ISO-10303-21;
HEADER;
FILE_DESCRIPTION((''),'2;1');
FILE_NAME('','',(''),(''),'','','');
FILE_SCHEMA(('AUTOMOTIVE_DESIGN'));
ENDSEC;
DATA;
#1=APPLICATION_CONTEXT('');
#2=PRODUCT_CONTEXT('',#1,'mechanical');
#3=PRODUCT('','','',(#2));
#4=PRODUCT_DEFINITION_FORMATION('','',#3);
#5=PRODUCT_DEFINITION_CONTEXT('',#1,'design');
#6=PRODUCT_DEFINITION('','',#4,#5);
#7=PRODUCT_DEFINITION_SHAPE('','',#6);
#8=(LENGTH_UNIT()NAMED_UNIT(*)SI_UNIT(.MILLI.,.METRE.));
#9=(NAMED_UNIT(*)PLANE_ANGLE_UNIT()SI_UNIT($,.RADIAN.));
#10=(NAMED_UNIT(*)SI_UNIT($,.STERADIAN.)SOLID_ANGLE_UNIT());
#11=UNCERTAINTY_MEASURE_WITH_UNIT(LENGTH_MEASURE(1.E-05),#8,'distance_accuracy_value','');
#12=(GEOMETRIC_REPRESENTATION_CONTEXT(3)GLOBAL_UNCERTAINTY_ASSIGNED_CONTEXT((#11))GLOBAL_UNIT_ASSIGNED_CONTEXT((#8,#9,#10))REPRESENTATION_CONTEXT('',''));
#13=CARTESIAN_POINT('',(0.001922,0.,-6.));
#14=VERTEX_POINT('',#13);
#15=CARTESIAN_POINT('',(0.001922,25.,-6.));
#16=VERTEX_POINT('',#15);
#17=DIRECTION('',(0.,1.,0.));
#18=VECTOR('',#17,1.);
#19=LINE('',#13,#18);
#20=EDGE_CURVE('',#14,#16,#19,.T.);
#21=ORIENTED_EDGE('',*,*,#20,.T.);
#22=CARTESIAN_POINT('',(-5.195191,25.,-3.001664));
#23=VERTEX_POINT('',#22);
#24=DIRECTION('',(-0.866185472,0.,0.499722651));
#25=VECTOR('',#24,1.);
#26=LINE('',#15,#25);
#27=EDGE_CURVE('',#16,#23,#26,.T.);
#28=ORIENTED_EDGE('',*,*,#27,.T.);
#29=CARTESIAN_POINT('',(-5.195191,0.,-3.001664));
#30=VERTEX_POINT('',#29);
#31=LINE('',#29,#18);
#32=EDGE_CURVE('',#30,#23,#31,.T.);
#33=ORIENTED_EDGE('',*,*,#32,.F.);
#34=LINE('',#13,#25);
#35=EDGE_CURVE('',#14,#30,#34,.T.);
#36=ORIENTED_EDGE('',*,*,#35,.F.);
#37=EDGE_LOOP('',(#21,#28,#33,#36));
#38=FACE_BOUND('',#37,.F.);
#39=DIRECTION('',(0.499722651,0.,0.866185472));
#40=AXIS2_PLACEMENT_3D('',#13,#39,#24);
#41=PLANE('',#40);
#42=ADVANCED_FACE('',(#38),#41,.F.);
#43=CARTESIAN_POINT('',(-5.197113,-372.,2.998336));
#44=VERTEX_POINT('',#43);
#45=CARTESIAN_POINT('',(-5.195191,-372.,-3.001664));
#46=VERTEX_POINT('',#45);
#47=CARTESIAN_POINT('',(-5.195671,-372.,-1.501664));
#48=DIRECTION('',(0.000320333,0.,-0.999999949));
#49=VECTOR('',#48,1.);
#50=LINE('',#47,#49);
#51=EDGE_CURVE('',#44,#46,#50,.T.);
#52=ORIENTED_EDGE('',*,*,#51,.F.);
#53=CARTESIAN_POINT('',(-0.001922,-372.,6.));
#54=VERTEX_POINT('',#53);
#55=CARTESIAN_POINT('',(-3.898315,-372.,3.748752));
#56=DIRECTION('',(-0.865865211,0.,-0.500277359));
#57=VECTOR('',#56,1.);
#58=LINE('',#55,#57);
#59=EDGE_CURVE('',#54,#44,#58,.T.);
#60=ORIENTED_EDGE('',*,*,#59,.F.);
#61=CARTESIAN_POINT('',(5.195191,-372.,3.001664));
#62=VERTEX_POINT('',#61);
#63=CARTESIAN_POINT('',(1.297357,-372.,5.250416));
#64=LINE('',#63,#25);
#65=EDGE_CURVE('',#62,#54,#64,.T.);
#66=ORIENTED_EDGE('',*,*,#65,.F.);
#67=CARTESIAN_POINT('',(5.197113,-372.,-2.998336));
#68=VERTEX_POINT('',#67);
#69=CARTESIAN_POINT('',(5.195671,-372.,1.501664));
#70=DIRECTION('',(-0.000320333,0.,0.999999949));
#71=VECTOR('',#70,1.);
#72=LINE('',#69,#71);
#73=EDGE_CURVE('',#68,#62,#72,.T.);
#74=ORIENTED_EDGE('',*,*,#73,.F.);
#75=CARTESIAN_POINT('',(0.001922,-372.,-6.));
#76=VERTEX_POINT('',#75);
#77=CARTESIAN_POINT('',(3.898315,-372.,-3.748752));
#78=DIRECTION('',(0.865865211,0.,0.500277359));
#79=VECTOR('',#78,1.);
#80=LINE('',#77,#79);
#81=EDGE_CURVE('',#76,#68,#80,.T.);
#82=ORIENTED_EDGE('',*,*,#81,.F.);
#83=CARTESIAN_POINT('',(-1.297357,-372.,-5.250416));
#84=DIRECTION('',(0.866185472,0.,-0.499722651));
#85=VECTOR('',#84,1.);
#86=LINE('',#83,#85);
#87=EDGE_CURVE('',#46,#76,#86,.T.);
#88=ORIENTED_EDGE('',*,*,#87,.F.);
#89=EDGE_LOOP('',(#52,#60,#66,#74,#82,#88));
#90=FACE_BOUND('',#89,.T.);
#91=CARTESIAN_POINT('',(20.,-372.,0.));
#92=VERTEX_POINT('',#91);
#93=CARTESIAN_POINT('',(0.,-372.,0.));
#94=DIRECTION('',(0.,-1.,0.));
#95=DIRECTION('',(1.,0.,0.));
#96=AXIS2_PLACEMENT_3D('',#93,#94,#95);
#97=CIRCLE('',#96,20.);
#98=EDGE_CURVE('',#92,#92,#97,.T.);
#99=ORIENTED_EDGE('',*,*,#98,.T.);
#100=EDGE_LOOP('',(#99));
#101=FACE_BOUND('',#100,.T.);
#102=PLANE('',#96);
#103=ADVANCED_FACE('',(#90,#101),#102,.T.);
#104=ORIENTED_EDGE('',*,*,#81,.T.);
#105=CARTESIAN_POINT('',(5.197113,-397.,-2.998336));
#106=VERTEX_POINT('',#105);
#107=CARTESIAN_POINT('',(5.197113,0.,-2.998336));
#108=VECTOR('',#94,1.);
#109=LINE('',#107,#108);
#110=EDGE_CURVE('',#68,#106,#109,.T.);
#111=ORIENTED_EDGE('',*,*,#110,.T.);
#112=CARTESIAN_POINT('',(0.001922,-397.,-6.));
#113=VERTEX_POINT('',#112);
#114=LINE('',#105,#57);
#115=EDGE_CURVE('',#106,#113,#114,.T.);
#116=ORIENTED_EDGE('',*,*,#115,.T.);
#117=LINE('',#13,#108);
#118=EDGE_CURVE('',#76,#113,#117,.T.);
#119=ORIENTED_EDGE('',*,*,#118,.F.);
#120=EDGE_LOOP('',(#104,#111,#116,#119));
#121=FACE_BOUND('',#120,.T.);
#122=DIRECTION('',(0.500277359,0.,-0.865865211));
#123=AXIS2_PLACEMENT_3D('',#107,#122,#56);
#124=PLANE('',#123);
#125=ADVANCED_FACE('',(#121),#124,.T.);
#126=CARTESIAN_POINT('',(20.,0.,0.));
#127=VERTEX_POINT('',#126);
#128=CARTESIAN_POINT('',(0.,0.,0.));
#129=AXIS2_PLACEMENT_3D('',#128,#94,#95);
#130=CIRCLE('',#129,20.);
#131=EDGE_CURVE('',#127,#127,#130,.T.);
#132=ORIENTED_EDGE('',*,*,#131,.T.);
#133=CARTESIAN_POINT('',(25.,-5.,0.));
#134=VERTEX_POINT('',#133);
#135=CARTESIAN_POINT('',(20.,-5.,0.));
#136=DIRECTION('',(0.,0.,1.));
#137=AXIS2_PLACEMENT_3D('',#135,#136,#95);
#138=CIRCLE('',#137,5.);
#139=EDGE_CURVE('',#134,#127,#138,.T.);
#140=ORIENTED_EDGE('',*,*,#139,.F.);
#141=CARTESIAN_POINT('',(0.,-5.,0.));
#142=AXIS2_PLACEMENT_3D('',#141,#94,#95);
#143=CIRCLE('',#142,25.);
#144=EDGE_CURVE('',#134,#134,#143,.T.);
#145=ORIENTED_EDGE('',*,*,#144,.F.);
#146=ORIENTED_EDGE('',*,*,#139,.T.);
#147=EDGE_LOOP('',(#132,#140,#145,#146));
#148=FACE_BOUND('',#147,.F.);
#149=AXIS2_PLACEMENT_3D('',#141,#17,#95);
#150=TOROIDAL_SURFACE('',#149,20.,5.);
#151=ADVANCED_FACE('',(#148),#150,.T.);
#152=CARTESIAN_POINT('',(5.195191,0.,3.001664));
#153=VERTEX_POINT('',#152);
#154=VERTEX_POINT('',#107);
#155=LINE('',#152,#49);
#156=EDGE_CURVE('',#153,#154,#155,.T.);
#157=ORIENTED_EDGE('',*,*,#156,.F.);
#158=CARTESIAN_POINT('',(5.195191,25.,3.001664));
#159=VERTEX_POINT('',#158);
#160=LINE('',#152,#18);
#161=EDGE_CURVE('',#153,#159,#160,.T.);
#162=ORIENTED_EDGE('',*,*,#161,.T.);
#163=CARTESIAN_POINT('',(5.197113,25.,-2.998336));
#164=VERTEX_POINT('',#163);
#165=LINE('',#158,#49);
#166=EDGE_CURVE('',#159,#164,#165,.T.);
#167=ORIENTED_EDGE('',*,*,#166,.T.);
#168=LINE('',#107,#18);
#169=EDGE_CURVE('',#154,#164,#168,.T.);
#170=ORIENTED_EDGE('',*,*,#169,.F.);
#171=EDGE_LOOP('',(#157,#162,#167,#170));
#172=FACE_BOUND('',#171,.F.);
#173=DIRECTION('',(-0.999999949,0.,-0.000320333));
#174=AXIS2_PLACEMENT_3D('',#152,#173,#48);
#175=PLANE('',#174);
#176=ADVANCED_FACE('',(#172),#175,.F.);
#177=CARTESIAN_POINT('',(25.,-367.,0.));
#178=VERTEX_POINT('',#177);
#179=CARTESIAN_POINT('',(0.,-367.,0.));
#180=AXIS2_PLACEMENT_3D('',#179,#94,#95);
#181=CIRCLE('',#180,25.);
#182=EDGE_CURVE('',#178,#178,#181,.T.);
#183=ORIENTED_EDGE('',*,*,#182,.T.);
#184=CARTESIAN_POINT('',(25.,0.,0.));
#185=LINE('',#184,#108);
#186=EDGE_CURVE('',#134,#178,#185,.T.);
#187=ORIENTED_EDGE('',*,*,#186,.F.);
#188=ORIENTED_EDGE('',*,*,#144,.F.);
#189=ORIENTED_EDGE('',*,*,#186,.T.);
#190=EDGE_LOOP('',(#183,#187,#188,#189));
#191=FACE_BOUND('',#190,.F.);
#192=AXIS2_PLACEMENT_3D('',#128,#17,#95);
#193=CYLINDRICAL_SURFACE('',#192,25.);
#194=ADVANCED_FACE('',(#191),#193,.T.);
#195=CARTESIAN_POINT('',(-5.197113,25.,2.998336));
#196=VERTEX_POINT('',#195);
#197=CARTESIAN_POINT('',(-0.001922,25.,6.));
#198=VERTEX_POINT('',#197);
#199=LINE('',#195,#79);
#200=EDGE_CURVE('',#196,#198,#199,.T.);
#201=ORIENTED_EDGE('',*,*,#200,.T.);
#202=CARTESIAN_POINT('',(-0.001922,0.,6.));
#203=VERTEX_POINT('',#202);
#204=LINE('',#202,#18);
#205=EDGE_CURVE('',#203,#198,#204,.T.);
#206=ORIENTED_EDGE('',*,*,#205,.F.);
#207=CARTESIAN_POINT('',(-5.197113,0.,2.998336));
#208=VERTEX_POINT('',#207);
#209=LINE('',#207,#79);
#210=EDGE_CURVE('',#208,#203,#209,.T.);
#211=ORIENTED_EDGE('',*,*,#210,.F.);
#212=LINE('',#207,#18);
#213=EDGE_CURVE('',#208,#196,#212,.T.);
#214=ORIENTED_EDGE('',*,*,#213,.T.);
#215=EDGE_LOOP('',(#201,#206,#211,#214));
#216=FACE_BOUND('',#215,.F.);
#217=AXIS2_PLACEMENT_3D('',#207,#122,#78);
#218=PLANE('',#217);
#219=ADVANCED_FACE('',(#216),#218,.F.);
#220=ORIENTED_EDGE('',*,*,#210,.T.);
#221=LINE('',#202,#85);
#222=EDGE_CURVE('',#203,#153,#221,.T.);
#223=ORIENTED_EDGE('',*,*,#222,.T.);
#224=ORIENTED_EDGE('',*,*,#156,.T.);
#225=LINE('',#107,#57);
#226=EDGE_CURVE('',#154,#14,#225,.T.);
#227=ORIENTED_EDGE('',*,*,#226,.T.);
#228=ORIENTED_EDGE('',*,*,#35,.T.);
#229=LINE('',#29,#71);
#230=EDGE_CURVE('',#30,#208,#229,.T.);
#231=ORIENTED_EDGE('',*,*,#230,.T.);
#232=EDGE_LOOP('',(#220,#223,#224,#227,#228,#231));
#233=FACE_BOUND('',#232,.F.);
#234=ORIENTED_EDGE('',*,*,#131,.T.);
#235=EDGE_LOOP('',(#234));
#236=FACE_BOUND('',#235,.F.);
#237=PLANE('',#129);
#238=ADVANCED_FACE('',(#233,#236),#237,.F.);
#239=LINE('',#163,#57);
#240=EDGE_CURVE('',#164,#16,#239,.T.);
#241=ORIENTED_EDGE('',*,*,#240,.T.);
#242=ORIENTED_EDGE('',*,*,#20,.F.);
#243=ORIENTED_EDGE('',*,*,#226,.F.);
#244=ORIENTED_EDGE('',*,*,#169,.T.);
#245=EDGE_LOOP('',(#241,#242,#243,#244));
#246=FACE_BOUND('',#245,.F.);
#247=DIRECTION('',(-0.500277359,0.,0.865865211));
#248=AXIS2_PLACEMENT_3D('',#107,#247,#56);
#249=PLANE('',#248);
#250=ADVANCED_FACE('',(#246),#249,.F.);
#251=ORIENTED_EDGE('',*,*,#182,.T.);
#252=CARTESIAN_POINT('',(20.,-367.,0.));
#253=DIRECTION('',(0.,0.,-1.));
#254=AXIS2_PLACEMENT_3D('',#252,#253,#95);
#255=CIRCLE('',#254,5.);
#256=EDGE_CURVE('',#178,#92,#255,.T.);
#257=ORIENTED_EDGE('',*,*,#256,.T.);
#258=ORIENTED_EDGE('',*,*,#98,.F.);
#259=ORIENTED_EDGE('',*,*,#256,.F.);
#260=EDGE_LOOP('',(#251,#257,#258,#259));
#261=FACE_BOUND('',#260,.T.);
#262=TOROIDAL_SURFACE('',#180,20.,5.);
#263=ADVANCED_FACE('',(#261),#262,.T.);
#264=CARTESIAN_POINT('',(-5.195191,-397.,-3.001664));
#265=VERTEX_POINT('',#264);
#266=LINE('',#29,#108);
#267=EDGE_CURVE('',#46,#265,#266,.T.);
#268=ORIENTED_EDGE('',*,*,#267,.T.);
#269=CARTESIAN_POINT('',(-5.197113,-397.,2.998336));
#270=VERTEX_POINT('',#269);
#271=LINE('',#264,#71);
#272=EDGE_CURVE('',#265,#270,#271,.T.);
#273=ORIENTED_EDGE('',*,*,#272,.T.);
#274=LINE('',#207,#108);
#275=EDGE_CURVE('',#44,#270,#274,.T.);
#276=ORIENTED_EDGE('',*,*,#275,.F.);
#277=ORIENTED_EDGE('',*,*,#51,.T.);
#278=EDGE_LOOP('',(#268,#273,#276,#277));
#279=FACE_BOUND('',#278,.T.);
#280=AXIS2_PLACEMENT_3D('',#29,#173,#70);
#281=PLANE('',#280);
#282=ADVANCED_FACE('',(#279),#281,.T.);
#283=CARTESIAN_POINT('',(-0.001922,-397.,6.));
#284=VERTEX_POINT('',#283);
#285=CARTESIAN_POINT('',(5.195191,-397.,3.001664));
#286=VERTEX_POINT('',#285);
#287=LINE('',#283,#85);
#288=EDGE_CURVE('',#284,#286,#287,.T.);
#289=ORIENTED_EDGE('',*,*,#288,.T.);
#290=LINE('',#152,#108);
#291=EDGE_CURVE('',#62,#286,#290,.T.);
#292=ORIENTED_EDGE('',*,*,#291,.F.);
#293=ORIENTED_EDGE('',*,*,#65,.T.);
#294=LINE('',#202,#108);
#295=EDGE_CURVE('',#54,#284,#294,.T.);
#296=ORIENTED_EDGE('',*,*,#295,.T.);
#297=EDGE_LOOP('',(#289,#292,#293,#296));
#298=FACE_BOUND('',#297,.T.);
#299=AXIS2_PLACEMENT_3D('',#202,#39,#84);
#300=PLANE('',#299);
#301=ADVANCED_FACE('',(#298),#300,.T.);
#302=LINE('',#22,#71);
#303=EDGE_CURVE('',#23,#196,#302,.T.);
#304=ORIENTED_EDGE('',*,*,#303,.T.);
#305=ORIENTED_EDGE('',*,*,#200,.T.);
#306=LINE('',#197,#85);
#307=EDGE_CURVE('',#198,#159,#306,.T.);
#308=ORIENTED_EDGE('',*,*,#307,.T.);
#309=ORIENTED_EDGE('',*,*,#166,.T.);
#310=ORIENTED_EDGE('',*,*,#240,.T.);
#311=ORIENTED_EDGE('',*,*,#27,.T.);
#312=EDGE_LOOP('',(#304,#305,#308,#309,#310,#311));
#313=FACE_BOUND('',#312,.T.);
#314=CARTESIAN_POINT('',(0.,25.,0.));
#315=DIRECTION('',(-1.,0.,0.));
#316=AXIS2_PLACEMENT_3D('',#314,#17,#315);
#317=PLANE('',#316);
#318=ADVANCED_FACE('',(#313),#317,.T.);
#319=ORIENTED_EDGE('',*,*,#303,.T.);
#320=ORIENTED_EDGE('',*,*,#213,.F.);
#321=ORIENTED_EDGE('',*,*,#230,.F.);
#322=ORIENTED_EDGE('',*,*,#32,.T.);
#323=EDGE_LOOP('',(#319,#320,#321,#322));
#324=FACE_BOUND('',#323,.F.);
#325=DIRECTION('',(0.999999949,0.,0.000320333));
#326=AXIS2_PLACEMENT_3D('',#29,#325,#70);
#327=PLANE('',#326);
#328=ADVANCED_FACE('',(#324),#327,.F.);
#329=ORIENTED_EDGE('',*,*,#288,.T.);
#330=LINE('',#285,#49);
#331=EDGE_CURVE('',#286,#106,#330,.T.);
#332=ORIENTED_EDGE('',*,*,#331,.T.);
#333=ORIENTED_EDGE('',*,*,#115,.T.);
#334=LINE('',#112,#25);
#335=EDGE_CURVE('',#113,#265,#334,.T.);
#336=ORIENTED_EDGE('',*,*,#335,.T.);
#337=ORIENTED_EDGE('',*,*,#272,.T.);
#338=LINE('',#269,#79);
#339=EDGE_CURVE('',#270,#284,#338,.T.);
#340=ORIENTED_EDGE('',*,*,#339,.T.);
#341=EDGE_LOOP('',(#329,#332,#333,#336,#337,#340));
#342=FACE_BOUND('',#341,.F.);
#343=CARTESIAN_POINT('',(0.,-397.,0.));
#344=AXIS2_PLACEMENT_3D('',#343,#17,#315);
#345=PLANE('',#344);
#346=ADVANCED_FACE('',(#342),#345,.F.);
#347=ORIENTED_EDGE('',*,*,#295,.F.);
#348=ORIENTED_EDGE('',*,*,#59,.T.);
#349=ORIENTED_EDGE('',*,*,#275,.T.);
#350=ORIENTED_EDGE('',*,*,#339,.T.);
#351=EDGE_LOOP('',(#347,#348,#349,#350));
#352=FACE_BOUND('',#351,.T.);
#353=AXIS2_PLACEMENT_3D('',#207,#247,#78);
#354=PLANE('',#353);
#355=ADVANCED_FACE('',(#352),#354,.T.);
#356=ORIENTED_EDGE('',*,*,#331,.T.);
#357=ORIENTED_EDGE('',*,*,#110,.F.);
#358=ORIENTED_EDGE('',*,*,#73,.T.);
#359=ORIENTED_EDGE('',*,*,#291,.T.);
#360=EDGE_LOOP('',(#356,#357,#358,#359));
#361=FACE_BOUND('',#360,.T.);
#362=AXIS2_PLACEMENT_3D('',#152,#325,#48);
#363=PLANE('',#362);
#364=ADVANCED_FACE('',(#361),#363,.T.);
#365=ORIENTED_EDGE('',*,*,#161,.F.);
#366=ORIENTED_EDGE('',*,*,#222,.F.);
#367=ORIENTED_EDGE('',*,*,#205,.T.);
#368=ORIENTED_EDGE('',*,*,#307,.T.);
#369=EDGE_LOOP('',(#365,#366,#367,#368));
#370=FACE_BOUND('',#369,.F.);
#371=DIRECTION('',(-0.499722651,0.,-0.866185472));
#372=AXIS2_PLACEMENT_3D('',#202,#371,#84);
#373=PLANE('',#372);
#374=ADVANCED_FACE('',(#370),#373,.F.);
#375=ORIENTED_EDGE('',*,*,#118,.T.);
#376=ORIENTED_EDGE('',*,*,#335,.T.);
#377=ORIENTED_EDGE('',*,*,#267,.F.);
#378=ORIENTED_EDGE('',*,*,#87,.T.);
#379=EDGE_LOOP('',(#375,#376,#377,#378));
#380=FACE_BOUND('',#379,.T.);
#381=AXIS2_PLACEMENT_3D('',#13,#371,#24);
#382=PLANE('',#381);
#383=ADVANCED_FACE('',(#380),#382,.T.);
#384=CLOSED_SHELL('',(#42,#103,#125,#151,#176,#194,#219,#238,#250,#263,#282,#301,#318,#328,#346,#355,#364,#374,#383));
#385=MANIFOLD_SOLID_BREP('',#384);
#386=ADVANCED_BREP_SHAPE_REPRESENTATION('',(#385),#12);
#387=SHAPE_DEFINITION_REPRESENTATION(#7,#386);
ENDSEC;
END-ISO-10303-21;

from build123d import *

# Parameters (mm, degrees)
F0_R          = 25
F1_DEPTH      = 372
F2_R          = 5
F4_DEPTH      = 25
F4_DEPTH_BACK = 397


with BuildPart() as f1:
    # F0 (on Front) → F1 (new body)
    with BuildSketch(Plane.XZ):
        Circle(F0_R)
    extrude(amount=F1_DEPTH)

    # F2
    f2_edges = [f1.edges().sort_by_distance(p)[0] for p in [
        (-25, -372, 0),
        (-25, 0, 0),
    ]]
    fillet(f2_edges, radius=F2_R)

    # F3 (on face) → F4 (join, two sides)
    with BuildSketch(Plane(origin=(0, 0, 0), x_dir=(-1, 0, 0), z_dir=(0, 1, 0))) as f4_sk:
        Polygon((-0.001922, -6), (5.195191, -3.001664), (5.197113, 2.998336), (0.001922, 6), (-5.195191, 3.001664), (-5.197113, -2.998336), align=None)
    extrude(amount=F4_DEPTH)
    extrude(f4_sk.sketch, amount=-F4_DEPTH_BACK)


solid = f1.part
